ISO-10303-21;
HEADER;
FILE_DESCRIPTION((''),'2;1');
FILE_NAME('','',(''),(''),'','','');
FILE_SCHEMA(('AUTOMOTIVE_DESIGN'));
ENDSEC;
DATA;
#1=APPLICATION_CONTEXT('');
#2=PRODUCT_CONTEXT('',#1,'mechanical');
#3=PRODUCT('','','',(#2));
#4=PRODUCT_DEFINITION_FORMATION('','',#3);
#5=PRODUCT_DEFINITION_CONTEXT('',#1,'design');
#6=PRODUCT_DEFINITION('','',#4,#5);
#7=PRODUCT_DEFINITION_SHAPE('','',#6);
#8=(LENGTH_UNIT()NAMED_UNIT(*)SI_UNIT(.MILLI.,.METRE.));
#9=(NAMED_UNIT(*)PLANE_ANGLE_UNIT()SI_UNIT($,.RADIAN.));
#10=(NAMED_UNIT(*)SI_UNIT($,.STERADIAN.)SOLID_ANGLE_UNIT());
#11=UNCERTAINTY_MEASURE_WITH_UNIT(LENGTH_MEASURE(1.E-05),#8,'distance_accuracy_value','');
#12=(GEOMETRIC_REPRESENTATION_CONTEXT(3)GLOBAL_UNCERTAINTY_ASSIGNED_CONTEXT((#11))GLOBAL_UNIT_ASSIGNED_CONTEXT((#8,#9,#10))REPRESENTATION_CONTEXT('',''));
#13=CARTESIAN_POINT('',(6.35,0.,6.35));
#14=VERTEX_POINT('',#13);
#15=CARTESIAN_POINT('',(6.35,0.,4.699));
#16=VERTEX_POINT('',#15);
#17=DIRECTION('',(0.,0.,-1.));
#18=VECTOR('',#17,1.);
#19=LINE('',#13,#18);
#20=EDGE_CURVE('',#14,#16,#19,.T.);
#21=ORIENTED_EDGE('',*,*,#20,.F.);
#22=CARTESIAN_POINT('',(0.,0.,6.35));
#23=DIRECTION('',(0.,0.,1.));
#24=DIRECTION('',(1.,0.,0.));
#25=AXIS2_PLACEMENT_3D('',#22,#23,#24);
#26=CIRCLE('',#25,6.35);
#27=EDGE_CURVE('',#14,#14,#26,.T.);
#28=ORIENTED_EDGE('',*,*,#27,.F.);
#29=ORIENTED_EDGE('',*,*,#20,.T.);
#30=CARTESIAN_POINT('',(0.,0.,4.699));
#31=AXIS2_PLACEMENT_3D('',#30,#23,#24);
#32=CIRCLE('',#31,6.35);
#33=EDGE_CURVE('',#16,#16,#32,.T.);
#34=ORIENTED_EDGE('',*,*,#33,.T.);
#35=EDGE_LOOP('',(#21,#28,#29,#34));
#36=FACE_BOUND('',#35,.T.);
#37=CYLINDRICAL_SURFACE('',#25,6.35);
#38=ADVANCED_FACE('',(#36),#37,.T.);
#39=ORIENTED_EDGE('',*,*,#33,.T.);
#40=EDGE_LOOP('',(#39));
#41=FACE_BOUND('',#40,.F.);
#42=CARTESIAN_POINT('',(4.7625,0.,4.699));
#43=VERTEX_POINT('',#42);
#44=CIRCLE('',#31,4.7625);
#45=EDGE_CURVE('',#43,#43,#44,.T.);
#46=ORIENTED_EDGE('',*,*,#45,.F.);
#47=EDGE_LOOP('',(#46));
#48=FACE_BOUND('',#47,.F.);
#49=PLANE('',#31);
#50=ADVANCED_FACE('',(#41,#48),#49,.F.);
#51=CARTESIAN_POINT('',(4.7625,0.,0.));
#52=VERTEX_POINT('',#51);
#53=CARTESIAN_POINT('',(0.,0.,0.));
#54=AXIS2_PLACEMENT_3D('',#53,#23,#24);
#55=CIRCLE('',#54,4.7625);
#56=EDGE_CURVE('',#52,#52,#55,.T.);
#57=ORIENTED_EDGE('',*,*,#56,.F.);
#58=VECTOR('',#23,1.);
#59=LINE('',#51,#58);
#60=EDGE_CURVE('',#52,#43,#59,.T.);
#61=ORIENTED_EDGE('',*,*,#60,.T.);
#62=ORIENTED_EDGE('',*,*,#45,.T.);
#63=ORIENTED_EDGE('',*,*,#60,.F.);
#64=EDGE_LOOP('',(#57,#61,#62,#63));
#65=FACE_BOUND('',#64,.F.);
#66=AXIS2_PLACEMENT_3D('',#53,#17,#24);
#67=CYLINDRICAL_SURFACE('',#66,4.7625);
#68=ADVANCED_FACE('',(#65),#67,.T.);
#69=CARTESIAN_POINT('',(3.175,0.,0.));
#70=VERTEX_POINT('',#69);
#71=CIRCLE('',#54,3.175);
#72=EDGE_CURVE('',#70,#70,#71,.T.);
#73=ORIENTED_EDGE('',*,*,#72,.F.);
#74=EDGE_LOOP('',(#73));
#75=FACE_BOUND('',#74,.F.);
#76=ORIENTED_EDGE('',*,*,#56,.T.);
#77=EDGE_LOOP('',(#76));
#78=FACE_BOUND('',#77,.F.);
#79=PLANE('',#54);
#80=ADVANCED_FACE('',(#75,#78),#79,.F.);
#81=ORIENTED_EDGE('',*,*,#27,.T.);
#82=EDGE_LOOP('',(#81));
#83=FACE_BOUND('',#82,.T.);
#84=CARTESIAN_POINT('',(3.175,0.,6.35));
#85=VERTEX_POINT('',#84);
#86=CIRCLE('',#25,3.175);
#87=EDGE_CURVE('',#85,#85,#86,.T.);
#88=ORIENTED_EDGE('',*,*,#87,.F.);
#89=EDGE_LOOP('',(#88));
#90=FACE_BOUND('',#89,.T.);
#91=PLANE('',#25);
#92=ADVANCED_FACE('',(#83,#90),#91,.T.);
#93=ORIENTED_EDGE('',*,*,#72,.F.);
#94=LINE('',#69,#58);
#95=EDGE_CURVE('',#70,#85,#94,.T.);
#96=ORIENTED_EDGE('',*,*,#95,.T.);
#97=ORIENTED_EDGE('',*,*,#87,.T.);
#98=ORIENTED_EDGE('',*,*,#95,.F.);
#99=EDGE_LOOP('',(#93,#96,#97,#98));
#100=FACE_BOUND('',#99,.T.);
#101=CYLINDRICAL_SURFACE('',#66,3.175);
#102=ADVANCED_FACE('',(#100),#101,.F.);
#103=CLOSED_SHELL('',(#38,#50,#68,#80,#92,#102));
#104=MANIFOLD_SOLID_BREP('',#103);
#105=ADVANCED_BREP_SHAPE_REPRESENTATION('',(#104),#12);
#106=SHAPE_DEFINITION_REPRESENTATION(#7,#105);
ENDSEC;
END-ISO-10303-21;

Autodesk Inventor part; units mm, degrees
ref_plane "YZ Plane" through (0, 0, 0) normal (1, 0, 0) x (0, 1, 0)
ref_plane "XZ Plane" through (0, 0, 0) normal (0, 1, 0) x (-1, 0, 0)
ref_plane "XY Plane" through (0, 0, 0) normal (0, 0, 1) x (1, 0, 0)
sketch "Sketch1" plane through (0, 0, 0) normal (0, 0, 1) x (1, 0, 0)
  circle A0 centre (0, 0) radius 3.175
  circle A1 centre (0, 0) radius 4.7625
  dimension "d0" = 6.35
  dimension "d1" = 9.525
extrude "Extrusion1" add sketch "Sketch1" along normal blind 6.35
sketch "Sketch2" plane through (0, 0, 6.35) normal (0, 0, 1) x (1, 0, 0)
  circle A0 centre (0, 0) radius 4.7625 projected
  circle A1 centre (0, 0) radius 6.35
  dimension "d4" = 12.7
extrude "Extrusion2" add sketch "Sketch2" against normal blind 1.651
properties part number "SleeveBearing.25inchFlanged" material "Bronze, Cast"
